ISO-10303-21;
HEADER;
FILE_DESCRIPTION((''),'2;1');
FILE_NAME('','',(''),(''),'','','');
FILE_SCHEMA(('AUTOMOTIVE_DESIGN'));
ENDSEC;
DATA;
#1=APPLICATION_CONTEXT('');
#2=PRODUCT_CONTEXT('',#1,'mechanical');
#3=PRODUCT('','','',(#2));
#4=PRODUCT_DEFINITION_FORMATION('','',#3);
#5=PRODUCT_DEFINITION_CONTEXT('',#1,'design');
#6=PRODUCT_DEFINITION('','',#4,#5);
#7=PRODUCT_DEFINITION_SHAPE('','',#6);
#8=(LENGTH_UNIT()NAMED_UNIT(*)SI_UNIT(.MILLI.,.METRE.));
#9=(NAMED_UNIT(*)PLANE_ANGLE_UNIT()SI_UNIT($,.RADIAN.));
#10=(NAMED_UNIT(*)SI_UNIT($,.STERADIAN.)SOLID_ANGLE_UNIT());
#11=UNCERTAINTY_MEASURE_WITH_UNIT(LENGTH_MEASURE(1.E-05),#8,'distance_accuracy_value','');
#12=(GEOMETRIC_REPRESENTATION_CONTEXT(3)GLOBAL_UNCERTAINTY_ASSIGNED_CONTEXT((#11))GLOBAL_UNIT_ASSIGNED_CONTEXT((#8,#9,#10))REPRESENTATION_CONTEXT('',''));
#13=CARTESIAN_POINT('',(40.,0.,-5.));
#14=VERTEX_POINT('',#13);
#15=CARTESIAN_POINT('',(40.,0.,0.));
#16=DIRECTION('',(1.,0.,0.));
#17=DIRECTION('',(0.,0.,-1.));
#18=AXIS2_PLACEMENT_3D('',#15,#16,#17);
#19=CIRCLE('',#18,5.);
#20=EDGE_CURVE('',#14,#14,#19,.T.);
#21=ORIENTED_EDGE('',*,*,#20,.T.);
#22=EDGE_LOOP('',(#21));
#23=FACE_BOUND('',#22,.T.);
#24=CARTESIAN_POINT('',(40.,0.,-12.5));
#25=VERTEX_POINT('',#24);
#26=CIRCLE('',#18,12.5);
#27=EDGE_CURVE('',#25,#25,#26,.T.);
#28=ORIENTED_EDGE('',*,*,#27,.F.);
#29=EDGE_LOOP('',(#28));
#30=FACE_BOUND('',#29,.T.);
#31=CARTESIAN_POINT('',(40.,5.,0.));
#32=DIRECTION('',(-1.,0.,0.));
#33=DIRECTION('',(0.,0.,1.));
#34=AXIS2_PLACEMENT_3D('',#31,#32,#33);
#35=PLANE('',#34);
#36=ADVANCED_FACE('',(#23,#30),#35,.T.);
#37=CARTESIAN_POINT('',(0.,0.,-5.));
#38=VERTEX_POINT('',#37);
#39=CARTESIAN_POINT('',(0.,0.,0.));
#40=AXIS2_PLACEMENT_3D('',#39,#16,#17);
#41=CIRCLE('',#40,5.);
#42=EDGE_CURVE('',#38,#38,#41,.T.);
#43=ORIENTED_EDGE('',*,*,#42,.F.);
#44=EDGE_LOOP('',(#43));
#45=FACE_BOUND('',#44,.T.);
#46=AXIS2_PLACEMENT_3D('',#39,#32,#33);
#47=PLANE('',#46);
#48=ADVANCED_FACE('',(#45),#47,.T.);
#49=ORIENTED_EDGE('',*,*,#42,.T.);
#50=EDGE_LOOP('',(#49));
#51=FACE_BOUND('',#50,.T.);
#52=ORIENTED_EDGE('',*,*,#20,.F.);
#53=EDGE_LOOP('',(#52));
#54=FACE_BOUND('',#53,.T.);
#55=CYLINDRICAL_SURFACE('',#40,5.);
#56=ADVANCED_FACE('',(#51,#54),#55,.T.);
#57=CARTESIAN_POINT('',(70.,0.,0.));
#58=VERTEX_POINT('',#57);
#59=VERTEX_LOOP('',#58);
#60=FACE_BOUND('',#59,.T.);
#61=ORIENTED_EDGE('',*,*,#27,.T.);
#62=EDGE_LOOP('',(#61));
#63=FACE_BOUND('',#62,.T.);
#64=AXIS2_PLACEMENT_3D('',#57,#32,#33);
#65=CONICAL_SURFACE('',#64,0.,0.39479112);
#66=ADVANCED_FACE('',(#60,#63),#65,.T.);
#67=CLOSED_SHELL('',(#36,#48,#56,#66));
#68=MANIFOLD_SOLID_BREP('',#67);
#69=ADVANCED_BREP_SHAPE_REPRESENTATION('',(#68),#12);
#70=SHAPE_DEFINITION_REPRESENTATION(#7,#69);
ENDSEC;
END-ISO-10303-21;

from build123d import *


with BuildPart() as part:
    # Sketch1 → Revolve1 (revolve)
    with BuildSketch(Plane.XY, mode=Mode.PRIVATE) as revolve1_sk:
        Polygon((0, 0), (0, 5), (40, 5), (40, 12.5), (70, 0), align=None)
    revolve(revolve1_sk.sketch.rotate(Axis((0, 0, 0), (-1, 0, 0)), 90), axis=Axis((0, 0, 0), (-1, 0, 0)))


solid = part.part
